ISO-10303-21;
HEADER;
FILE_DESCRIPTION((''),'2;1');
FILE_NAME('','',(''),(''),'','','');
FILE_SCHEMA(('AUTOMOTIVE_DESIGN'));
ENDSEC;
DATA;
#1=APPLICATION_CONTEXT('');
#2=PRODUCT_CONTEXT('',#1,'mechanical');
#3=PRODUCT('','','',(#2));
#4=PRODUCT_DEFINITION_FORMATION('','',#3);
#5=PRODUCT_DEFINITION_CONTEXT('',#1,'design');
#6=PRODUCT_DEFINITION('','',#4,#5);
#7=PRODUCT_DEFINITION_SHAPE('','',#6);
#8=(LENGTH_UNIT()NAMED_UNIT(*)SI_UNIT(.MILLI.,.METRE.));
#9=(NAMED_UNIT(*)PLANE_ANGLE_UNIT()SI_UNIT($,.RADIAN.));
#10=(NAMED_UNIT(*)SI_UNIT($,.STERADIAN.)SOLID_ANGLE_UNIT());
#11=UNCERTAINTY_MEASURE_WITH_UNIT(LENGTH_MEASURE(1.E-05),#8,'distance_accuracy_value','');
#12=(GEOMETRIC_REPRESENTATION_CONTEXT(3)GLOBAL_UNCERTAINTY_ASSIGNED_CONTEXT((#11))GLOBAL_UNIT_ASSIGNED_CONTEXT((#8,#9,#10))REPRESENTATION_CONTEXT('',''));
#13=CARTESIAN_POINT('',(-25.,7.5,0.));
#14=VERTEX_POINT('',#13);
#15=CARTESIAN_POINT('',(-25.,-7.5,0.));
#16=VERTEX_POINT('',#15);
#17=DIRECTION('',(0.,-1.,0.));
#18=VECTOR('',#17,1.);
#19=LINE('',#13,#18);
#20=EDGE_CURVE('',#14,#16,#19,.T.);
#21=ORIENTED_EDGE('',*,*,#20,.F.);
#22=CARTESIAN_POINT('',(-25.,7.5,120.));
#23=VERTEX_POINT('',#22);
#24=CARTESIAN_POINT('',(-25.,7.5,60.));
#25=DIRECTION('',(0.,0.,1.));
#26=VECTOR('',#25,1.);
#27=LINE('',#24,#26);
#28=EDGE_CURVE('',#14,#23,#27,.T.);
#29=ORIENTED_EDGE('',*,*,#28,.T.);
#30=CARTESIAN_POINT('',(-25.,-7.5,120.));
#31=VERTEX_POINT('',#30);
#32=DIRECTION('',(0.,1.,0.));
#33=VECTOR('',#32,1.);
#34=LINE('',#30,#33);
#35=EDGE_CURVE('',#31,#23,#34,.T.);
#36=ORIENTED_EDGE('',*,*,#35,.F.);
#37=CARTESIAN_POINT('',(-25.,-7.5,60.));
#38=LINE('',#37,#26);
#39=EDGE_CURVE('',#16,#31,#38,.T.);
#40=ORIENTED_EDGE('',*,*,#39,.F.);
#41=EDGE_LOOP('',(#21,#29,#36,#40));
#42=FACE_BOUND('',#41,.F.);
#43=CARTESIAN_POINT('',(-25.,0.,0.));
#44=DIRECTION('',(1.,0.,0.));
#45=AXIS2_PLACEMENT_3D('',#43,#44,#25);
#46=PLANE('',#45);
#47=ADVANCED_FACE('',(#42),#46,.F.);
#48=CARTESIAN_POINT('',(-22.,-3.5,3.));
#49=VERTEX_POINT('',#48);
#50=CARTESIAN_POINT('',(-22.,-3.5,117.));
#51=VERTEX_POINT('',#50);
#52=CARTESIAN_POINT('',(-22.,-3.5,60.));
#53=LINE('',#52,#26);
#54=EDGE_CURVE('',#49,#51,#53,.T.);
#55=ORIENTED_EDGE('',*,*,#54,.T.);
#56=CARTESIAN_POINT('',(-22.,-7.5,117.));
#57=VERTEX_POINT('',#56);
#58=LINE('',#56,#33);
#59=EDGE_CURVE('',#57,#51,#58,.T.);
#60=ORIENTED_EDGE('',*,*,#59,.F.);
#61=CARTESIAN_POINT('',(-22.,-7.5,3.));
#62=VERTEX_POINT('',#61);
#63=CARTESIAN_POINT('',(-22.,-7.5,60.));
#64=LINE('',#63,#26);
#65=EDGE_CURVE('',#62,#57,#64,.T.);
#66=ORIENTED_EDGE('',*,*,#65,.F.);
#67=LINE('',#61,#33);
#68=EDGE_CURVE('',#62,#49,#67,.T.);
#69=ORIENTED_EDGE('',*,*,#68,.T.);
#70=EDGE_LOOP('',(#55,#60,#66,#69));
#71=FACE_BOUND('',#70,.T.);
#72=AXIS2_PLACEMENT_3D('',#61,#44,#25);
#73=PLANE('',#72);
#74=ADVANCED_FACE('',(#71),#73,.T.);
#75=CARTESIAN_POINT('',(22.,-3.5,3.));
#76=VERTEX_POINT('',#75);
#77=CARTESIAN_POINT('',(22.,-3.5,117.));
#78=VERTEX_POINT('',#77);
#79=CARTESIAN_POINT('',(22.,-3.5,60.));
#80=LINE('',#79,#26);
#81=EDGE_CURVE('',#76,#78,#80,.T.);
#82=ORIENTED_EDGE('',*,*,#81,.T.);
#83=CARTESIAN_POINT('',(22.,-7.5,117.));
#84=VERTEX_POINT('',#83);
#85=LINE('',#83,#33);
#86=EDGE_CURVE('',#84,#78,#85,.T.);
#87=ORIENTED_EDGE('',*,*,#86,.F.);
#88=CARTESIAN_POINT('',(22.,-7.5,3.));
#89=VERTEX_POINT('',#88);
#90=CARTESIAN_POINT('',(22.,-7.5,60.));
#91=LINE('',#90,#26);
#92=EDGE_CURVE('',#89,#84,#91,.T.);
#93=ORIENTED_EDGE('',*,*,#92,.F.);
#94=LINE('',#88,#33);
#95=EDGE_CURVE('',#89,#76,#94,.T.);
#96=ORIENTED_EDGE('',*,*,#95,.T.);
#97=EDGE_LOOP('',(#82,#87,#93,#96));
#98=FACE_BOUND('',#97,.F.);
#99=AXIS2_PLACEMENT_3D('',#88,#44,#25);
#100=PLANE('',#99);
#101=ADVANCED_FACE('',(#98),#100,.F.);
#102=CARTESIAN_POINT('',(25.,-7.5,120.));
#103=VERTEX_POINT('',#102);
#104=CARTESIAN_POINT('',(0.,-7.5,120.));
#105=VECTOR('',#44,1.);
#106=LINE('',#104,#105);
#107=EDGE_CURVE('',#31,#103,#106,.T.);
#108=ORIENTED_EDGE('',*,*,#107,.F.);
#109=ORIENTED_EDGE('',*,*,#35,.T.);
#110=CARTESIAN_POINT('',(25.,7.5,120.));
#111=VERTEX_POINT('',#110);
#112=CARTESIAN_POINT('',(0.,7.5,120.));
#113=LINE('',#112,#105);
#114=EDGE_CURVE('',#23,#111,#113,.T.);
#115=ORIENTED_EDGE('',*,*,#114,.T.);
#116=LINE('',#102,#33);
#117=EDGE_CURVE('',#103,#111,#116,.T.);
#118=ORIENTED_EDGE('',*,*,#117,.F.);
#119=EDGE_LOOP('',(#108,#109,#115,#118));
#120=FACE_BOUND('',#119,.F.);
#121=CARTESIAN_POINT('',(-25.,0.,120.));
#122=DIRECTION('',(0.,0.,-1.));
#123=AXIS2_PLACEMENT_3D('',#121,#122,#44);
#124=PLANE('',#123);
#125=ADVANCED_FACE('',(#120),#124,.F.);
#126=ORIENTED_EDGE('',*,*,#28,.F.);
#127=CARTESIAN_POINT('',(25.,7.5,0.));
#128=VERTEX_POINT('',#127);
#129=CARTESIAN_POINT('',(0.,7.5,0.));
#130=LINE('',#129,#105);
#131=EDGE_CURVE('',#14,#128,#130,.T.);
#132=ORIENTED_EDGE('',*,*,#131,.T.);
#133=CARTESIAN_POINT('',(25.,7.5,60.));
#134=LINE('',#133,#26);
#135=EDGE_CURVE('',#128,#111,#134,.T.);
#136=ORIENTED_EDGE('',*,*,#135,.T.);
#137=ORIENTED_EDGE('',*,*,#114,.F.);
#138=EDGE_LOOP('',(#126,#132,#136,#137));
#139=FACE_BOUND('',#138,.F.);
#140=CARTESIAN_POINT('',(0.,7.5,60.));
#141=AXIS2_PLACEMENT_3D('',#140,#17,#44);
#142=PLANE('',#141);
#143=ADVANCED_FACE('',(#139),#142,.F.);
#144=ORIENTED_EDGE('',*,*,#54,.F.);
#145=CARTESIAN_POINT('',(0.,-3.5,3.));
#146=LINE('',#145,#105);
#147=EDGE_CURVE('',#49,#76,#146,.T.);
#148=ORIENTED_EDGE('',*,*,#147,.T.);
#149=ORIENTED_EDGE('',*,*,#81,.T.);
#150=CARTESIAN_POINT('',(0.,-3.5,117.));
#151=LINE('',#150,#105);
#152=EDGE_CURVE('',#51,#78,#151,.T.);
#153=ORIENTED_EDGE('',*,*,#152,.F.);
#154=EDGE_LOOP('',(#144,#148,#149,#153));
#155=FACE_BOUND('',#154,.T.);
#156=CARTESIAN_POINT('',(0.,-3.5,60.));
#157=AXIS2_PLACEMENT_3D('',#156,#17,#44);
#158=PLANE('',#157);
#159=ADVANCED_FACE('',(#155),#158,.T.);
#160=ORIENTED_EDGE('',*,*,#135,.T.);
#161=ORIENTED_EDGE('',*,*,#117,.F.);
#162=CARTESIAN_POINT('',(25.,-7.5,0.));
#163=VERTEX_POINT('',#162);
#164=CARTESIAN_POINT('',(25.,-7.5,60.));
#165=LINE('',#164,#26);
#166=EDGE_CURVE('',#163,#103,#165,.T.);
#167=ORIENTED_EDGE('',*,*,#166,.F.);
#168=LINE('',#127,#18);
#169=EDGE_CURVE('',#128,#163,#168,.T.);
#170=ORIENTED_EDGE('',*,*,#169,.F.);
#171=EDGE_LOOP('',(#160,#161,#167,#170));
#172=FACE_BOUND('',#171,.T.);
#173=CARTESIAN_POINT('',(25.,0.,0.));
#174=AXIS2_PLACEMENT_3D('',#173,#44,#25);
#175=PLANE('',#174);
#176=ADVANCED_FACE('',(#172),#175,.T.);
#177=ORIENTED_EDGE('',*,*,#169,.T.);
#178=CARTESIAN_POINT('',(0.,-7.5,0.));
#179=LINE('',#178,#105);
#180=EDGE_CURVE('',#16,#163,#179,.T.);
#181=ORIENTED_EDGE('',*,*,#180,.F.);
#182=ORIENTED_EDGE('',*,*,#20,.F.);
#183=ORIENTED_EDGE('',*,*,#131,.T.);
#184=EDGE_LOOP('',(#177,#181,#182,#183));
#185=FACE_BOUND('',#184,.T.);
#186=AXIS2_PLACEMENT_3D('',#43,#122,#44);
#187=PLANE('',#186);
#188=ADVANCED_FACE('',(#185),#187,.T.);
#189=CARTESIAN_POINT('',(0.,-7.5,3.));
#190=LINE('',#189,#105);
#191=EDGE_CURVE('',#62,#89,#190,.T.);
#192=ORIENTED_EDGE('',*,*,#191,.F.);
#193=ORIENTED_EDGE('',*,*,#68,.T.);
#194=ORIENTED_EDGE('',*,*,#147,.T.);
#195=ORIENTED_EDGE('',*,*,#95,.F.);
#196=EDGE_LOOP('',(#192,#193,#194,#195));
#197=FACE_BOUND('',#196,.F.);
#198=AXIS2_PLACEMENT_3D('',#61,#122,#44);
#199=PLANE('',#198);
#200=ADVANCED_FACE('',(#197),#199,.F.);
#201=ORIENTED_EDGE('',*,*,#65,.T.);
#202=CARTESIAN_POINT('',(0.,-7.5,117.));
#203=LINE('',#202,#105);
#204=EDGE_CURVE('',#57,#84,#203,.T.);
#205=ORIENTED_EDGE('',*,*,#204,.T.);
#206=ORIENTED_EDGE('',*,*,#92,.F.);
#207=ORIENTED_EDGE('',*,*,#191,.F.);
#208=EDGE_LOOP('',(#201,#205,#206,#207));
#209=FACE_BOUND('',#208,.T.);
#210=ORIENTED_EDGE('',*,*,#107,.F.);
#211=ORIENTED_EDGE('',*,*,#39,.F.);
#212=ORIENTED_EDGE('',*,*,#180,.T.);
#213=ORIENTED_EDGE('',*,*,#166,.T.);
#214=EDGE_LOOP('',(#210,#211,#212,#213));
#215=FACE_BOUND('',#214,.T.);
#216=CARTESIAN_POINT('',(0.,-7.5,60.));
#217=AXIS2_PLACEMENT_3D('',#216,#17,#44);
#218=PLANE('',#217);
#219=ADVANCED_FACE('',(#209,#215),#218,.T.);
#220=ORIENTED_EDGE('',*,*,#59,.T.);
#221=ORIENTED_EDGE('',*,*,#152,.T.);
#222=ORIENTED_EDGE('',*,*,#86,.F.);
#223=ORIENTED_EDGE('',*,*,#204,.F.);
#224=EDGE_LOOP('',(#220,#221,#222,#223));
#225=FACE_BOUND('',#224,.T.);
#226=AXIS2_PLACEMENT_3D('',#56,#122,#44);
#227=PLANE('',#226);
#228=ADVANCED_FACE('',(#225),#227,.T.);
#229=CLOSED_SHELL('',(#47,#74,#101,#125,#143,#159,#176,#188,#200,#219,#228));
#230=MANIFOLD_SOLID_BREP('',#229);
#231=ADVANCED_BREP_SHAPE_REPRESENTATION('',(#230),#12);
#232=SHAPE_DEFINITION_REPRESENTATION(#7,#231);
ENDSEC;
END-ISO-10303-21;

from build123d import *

# Parameters (mm, degrees)
SKETCH_W     = 50
SKETCH_H     = 120
PAD_DEPTH    = 7.5
SKETCH001_W  = 44
SKETCH001_H  = 114
POCKET_DEPTH = 4


with BuildPart() as part:
    # Sketch → Pad (new body, symmetric)
    with BuildSketch(Plane.XZ):
        with Locations((0, 60)):
            Rectangle(SKETCH_W, SKETCH_H)
    extrude(amount=PAD_DEPTH, both=True)

    # Sketch001 (on Face6 of Pad) → Pocket (cut)
    with BuildSketch(Plane.XZ.offset(7.5)):
        with Locations((0, 60)):
            Rectangle(SKETCH001_W, SKETCH001_H)
    extrude(amount=-POCKET_DEPTH, mode=Mode.SUBTRACT)


solid = part.part
